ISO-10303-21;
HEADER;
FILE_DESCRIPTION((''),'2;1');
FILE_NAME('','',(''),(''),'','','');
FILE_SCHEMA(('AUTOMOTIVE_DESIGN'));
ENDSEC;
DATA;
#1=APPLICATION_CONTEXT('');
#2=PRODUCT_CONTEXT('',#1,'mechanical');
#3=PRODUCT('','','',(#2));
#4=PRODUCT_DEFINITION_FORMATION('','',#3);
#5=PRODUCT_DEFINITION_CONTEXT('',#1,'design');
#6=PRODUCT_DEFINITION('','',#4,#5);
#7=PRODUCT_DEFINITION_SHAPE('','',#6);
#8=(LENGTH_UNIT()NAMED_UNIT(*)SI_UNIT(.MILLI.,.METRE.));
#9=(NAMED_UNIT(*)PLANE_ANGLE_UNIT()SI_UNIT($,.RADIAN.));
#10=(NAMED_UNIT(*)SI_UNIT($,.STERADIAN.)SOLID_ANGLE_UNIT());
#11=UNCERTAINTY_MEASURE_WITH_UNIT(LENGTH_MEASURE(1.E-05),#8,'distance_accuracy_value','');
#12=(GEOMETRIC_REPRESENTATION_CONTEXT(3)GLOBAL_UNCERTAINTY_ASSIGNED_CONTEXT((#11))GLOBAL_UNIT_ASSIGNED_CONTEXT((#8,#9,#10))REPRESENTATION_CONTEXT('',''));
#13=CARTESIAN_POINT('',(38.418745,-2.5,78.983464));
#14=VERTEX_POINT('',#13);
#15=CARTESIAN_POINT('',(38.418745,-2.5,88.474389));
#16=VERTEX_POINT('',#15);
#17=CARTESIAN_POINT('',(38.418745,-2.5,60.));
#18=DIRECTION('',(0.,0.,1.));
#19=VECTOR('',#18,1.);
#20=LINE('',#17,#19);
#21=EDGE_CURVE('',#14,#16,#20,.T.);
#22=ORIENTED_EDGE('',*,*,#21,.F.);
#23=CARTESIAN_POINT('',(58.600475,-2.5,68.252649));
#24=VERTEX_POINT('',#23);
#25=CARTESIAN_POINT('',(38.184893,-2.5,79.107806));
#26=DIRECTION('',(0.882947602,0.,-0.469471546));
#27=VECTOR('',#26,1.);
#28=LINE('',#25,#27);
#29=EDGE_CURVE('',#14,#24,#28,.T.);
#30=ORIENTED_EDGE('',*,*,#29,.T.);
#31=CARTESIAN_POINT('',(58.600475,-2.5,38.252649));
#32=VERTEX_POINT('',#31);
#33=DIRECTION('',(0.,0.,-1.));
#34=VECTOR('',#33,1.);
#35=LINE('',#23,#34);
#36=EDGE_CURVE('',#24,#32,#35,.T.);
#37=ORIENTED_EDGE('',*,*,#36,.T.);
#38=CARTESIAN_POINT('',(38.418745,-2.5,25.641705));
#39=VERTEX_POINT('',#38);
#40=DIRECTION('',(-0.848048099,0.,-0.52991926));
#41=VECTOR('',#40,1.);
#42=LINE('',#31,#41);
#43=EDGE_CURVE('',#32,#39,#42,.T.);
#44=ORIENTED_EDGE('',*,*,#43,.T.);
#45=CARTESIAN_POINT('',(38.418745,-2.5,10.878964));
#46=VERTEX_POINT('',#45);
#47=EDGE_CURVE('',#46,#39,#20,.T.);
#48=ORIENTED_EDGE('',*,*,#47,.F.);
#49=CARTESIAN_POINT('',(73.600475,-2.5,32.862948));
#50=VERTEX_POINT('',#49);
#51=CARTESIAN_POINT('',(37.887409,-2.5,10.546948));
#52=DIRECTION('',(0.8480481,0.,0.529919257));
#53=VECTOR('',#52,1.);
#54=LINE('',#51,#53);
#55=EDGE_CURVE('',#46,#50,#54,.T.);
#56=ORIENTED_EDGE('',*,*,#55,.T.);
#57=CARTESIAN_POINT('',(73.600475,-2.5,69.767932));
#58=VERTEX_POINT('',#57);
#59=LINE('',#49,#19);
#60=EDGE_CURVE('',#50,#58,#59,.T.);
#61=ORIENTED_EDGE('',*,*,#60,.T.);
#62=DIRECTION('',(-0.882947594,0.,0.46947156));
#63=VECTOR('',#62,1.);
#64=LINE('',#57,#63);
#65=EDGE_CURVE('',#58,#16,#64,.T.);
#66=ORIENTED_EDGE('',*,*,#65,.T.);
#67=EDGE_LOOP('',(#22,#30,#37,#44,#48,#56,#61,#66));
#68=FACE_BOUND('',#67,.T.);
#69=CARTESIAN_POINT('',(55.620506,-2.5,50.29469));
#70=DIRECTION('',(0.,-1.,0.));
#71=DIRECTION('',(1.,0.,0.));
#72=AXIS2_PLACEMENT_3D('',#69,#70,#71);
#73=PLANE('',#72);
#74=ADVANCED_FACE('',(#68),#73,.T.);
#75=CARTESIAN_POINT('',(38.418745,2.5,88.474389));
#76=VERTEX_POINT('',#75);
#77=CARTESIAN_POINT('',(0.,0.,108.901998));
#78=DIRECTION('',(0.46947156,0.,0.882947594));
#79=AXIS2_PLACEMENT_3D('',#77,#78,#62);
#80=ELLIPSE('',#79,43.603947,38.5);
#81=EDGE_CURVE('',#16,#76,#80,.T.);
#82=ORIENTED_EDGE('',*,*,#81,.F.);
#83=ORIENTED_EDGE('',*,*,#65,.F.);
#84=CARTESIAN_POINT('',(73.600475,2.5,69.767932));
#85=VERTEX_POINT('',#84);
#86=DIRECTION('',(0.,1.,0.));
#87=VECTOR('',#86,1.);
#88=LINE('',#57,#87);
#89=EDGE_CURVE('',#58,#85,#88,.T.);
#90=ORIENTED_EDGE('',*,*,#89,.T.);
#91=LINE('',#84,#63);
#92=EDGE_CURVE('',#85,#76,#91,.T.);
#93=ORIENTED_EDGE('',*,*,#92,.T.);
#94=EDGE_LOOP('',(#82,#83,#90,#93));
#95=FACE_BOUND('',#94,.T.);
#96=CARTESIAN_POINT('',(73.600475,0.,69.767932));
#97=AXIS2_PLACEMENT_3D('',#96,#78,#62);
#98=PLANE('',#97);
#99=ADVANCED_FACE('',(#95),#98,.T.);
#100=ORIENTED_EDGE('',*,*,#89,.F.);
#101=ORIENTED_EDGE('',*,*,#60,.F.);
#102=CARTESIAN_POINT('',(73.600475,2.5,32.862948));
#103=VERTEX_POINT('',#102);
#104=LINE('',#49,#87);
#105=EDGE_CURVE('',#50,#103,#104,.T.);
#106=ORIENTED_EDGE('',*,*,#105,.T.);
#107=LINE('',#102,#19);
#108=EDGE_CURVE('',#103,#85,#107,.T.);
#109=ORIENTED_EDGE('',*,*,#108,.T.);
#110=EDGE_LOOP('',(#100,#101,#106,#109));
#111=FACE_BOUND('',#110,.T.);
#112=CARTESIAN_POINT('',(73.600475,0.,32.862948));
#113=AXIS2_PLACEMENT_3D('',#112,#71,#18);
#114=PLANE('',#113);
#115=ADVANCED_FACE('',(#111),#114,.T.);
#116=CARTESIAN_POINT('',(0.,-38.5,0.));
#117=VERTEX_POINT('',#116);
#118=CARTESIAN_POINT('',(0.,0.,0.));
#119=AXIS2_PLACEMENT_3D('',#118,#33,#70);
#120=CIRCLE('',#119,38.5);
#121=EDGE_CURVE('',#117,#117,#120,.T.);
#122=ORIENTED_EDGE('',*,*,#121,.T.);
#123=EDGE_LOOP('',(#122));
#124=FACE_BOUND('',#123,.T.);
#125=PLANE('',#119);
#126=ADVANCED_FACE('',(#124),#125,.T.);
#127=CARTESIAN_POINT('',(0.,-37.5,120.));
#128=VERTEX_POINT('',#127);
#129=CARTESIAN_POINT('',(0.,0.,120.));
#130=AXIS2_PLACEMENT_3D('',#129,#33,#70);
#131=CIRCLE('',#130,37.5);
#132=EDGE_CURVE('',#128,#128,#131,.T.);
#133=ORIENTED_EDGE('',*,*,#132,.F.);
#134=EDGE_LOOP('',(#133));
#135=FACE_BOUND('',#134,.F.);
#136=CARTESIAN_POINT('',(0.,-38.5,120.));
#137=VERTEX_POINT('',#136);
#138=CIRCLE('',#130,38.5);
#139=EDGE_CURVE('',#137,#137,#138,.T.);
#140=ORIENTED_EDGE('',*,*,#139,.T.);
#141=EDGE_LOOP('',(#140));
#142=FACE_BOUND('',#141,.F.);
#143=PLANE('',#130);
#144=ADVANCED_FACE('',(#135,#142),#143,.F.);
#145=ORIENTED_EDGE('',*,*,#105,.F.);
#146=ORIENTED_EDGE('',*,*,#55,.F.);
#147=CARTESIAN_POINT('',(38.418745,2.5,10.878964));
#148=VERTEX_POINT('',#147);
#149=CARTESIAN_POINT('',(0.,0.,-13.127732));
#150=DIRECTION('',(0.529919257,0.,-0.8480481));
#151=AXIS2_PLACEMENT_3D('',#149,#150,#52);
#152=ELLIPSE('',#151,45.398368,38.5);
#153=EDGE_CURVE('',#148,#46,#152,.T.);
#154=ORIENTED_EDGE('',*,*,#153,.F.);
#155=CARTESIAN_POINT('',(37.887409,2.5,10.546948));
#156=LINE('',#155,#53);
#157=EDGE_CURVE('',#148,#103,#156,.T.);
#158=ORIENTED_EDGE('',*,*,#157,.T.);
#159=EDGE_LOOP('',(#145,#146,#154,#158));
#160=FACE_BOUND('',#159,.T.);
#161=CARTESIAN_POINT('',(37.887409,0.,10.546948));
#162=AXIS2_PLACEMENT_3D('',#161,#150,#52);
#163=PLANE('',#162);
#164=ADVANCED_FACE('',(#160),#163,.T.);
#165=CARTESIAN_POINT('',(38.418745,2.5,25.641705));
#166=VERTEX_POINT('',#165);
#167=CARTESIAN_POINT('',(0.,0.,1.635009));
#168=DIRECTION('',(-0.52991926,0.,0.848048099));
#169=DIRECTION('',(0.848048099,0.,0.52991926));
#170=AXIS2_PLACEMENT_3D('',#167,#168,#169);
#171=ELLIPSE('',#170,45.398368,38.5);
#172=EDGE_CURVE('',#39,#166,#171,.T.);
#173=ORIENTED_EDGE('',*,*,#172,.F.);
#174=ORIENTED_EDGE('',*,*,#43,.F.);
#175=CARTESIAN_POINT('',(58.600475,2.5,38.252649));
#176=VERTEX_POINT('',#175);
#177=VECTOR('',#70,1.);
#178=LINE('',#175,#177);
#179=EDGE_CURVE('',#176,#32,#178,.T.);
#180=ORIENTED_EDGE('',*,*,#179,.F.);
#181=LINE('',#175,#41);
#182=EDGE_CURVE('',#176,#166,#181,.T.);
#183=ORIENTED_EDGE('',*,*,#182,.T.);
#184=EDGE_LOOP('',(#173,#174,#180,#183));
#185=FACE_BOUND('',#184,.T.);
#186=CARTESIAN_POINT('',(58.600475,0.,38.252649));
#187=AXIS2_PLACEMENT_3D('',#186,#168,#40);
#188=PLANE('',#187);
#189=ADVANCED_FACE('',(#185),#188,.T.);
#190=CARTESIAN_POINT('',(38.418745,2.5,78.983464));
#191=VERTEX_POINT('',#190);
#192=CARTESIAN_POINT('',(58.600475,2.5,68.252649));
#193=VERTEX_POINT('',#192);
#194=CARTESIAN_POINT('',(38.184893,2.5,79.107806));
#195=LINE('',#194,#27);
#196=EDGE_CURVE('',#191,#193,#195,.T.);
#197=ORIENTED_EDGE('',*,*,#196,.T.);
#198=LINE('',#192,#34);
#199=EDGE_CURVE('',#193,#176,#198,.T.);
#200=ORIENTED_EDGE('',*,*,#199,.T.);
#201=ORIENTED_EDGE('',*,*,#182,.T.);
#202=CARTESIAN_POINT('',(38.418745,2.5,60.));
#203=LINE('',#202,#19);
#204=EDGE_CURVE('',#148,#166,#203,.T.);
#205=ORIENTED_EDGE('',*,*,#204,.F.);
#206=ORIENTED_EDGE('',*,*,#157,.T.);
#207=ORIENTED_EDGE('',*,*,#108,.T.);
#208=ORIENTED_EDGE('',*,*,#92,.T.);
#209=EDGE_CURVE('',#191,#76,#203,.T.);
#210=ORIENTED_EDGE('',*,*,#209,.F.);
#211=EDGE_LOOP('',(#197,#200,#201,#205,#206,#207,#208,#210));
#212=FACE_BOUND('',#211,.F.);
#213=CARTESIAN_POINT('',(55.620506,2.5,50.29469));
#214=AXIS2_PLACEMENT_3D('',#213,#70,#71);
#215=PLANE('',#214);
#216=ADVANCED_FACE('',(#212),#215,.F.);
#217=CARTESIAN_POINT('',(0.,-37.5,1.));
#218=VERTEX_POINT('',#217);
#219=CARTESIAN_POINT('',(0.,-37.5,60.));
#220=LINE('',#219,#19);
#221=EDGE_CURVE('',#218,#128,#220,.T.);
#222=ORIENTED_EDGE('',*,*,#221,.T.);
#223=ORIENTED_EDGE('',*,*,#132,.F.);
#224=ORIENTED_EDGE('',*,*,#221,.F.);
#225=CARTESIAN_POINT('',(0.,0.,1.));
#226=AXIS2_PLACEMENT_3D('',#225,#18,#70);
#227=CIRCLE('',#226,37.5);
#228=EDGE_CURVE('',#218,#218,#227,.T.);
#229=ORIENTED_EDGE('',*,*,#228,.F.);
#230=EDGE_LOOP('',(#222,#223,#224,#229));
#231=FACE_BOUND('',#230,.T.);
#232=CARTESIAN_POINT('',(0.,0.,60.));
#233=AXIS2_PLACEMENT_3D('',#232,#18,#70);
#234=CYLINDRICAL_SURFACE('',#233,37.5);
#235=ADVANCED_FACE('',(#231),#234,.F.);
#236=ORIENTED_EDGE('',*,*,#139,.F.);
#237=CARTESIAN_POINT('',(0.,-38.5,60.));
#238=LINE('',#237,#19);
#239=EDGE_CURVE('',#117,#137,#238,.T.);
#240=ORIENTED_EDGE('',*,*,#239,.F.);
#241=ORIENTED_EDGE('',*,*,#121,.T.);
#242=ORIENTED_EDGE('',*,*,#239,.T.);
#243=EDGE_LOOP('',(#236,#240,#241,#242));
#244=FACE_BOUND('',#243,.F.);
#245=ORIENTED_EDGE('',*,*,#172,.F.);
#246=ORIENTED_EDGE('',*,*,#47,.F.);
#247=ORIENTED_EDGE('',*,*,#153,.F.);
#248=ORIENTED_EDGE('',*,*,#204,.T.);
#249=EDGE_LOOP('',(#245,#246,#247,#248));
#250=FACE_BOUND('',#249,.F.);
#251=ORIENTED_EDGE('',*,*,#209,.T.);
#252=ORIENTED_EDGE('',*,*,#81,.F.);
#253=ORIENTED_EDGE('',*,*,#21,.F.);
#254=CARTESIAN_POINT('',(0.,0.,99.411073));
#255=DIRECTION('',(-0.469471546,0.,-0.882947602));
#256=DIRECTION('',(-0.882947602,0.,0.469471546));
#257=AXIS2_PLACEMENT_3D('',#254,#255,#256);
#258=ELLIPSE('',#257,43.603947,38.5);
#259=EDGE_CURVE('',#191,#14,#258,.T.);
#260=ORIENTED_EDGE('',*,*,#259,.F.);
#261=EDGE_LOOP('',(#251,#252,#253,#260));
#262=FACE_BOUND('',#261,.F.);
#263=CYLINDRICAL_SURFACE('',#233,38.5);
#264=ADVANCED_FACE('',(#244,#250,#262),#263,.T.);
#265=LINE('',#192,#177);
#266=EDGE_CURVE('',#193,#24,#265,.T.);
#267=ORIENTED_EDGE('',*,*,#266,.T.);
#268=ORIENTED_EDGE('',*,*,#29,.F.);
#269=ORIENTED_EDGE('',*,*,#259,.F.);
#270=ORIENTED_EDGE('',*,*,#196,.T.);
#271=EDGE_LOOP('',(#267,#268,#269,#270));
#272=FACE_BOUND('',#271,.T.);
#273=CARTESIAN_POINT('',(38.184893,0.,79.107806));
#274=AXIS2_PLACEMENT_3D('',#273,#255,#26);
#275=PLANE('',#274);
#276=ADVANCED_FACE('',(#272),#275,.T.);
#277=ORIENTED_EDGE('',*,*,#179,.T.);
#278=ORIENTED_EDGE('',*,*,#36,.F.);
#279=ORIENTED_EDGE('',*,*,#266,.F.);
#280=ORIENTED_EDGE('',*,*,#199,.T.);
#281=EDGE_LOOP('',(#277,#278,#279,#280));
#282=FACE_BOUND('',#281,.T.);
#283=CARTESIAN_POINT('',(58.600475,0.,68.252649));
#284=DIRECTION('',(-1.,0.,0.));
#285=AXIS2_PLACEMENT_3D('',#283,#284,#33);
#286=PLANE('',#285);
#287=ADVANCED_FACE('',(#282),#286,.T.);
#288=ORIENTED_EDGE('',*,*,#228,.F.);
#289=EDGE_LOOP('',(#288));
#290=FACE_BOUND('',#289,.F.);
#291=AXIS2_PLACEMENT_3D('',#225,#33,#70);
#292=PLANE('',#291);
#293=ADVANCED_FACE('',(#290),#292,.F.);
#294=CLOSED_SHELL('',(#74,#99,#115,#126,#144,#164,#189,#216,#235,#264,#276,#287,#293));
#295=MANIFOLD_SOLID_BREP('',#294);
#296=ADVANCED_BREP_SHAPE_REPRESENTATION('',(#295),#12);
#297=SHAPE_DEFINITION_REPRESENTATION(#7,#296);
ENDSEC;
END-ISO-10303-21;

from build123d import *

# Parameters (mm, degrees)
F0_W     = 38.5
F0_H     = 120
F2_T     = -1
F4_DEPTH = 2.5


with BuildPart() as f1:
    # F0 (on Right) → F1 (revolve)
    with BuildSketch(Plane.YZ):
        with Locations((-19.25, 60)):
            Rectangle(F0_W, F0_H)
    revolve(axis=Axis((0, 0, 60), (0, 0, -1)))

    # F2
    f2_openings = [f1.faces().sort_by_distance(p)[0] for p in [
        (0, 0, 120),
    ]]
    offset(amount=F2_T, openings=f2_openings)

    # F3 (on Front) → F4 (join, symmetric)
    with BuildSketch(Plane.XZ):
        Polygon((73.600475, 69.767932), (38.349035, 88.511455), (38.184893, 79.107806), (58.600475, 68.252649), (58.600475, 38.252649), (37.887409, 25.309689), (37.887409, 10.546948), (73.600475, 32.862948), align=None)
    extrude(amount=F4_DEPTH, both=True)


solid = f1.part
